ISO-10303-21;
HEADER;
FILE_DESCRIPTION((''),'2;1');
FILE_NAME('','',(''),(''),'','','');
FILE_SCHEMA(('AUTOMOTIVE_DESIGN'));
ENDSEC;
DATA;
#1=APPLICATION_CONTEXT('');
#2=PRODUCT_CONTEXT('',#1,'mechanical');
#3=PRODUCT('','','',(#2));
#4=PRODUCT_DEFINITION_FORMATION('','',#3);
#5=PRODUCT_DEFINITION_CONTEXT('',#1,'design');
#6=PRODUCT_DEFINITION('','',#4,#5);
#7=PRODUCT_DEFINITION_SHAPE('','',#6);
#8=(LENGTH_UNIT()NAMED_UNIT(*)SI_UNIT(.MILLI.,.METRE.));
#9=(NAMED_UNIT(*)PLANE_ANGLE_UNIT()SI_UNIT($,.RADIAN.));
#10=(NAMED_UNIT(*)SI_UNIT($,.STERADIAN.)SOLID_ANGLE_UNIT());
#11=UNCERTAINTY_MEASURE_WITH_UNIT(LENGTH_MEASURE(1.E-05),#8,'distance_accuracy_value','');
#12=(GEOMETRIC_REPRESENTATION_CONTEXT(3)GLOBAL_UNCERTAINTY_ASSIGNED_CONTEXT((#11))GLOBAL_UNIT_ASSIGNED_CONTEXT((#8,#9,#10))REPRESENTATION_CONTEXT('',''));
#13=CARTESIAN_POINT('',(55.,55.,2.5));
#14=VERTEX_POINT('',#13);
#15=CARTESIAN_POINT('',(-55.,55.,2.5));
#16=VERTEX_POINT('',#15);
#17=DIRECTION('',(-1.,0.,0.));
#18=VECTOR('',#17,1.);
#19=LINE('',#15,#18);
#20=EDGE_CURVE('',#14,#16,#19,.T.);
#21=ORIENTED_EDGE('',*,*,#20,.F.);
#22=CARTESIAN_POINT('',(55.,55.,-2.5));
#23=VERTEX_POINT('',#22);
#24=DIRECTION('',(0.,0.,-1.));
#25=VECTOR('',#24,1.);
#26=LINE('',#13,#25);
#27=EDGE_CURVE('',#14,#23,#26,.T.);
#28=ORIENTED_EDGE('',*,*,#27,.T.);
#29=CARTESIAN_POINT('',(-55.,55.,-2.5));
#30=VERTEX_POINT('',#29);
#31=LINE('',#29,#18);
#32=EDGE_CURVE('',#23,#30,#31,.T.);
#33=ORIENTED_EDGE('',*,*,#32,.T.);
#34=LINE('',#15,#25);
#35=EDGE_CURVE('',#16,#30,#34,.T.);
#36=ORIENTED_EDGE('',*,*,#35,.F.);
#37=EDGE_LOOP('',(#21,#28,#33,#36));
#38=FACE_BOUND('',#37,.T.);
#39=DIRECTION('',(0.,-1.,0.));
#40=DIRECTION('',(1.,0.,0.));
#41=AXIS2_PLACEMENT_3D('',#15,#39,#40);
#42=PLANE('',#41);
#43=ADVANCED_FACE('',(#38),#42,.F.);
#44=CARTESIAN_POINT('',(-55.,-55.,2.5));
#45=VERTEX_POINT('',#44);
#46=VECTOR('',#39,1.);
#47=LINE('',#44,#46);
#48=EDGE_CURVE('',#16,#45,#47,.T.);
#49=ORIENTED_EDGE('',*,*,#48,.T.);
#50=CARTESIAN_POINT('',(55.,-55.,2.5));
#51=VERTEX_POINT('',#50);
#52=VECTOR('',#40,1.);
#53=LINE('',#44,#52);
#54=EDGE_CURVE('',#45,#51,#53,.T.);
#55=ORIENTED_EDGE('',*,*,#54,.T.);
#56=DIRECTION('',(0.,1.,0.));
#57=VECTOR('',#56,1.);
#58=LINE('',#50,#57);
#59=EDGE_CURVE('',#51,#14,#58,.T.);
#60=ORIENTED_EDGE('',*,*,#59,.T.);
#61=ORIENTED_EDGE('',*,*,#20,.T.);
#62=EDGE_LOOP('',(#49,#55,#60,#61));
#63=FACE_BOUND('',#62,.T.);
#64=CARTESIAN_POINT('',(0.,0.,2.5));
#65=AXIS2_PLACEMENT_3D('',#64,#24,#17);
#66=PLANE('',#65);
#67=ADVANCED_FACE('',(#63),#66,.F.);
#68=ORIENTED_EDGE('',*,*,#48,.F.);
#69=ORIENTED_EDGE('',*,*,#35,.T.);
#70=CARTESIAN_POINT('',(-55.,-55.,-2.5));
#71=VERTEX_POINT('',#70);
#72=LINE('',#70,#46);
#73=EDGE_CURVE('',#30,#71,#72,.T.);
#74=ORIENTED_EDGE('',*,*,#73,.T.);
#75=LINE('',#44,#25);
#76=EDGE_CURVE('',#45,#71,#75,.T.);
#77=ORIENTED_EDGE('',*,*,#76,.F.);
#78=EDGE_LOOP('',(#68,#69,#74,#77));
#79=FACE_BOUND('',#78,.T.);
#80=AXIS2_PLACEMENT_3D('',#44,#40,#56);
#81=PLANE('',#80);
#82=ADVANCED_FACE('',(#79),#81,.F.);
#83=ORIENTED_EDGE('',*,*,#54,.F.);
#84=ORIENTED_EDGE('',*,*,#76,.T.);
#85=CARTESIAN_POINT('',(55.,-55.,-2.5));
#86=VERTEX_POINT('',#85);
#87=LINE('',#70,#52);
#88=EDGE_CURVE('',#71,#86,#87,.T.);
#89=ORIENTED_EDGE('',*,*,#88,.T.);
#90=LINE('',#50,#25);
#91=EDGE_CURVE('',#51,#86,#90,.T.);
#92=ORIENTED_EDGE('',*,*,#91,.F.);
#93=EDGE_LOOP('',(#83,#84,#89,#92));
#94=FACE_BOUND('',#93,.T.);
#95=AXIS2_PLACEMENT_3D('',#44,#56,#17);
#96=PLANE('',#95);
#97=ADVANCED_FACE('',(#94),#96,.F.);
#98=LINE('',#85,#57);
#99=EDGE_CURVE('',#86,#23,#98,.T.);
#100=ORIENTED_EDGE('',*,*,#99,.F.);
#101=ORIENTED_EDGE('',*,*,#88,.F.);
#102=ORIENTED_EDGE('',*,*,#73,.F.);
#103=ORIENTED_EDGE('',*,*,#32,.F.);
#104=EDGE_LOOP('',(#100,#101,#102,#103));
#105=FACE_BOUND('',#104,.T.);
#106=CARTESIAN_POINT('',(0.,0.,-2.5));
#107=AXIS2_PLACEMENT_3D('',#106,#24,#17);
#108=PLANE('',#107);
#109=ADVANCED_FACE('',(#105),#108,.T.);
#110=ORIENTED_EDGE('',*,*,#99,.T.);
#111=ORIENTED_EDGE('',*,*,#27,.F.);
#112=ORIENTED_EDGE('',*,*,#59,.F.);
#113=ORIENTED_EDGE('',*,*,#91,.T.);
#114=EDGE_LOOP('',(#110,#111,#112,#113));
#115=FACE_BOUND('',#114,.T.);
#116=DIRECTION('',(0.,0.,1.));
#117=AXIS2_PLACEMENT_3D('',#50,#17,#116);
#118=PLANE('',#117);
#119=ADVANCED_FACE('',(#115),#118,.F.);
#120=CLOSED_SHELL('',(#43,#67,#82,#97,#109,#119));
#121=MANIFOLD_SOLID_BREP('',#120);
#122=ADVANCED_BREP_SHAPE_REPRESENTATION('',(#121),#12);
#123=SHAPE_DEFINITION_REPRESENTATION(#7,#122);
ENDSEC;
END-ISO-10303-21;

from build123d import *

# Parameters (mm, degrees)
SKETCH_1_W      = 110
SKETCH_1_H      = 110
EXTRUDE_1_DEPTH = 2.5


with BuildPart() as part:
    # Эскиз1 → Бобышка-Вытянуть1 (new, symmetric)
    with BuildSketch(Plane.XY):
        Rectangle(SKETCH_1_W, SKETCH_1_H)
    extrude(amount=EXTRUDE_1_DEPTH, both=True)


solid = part.part
